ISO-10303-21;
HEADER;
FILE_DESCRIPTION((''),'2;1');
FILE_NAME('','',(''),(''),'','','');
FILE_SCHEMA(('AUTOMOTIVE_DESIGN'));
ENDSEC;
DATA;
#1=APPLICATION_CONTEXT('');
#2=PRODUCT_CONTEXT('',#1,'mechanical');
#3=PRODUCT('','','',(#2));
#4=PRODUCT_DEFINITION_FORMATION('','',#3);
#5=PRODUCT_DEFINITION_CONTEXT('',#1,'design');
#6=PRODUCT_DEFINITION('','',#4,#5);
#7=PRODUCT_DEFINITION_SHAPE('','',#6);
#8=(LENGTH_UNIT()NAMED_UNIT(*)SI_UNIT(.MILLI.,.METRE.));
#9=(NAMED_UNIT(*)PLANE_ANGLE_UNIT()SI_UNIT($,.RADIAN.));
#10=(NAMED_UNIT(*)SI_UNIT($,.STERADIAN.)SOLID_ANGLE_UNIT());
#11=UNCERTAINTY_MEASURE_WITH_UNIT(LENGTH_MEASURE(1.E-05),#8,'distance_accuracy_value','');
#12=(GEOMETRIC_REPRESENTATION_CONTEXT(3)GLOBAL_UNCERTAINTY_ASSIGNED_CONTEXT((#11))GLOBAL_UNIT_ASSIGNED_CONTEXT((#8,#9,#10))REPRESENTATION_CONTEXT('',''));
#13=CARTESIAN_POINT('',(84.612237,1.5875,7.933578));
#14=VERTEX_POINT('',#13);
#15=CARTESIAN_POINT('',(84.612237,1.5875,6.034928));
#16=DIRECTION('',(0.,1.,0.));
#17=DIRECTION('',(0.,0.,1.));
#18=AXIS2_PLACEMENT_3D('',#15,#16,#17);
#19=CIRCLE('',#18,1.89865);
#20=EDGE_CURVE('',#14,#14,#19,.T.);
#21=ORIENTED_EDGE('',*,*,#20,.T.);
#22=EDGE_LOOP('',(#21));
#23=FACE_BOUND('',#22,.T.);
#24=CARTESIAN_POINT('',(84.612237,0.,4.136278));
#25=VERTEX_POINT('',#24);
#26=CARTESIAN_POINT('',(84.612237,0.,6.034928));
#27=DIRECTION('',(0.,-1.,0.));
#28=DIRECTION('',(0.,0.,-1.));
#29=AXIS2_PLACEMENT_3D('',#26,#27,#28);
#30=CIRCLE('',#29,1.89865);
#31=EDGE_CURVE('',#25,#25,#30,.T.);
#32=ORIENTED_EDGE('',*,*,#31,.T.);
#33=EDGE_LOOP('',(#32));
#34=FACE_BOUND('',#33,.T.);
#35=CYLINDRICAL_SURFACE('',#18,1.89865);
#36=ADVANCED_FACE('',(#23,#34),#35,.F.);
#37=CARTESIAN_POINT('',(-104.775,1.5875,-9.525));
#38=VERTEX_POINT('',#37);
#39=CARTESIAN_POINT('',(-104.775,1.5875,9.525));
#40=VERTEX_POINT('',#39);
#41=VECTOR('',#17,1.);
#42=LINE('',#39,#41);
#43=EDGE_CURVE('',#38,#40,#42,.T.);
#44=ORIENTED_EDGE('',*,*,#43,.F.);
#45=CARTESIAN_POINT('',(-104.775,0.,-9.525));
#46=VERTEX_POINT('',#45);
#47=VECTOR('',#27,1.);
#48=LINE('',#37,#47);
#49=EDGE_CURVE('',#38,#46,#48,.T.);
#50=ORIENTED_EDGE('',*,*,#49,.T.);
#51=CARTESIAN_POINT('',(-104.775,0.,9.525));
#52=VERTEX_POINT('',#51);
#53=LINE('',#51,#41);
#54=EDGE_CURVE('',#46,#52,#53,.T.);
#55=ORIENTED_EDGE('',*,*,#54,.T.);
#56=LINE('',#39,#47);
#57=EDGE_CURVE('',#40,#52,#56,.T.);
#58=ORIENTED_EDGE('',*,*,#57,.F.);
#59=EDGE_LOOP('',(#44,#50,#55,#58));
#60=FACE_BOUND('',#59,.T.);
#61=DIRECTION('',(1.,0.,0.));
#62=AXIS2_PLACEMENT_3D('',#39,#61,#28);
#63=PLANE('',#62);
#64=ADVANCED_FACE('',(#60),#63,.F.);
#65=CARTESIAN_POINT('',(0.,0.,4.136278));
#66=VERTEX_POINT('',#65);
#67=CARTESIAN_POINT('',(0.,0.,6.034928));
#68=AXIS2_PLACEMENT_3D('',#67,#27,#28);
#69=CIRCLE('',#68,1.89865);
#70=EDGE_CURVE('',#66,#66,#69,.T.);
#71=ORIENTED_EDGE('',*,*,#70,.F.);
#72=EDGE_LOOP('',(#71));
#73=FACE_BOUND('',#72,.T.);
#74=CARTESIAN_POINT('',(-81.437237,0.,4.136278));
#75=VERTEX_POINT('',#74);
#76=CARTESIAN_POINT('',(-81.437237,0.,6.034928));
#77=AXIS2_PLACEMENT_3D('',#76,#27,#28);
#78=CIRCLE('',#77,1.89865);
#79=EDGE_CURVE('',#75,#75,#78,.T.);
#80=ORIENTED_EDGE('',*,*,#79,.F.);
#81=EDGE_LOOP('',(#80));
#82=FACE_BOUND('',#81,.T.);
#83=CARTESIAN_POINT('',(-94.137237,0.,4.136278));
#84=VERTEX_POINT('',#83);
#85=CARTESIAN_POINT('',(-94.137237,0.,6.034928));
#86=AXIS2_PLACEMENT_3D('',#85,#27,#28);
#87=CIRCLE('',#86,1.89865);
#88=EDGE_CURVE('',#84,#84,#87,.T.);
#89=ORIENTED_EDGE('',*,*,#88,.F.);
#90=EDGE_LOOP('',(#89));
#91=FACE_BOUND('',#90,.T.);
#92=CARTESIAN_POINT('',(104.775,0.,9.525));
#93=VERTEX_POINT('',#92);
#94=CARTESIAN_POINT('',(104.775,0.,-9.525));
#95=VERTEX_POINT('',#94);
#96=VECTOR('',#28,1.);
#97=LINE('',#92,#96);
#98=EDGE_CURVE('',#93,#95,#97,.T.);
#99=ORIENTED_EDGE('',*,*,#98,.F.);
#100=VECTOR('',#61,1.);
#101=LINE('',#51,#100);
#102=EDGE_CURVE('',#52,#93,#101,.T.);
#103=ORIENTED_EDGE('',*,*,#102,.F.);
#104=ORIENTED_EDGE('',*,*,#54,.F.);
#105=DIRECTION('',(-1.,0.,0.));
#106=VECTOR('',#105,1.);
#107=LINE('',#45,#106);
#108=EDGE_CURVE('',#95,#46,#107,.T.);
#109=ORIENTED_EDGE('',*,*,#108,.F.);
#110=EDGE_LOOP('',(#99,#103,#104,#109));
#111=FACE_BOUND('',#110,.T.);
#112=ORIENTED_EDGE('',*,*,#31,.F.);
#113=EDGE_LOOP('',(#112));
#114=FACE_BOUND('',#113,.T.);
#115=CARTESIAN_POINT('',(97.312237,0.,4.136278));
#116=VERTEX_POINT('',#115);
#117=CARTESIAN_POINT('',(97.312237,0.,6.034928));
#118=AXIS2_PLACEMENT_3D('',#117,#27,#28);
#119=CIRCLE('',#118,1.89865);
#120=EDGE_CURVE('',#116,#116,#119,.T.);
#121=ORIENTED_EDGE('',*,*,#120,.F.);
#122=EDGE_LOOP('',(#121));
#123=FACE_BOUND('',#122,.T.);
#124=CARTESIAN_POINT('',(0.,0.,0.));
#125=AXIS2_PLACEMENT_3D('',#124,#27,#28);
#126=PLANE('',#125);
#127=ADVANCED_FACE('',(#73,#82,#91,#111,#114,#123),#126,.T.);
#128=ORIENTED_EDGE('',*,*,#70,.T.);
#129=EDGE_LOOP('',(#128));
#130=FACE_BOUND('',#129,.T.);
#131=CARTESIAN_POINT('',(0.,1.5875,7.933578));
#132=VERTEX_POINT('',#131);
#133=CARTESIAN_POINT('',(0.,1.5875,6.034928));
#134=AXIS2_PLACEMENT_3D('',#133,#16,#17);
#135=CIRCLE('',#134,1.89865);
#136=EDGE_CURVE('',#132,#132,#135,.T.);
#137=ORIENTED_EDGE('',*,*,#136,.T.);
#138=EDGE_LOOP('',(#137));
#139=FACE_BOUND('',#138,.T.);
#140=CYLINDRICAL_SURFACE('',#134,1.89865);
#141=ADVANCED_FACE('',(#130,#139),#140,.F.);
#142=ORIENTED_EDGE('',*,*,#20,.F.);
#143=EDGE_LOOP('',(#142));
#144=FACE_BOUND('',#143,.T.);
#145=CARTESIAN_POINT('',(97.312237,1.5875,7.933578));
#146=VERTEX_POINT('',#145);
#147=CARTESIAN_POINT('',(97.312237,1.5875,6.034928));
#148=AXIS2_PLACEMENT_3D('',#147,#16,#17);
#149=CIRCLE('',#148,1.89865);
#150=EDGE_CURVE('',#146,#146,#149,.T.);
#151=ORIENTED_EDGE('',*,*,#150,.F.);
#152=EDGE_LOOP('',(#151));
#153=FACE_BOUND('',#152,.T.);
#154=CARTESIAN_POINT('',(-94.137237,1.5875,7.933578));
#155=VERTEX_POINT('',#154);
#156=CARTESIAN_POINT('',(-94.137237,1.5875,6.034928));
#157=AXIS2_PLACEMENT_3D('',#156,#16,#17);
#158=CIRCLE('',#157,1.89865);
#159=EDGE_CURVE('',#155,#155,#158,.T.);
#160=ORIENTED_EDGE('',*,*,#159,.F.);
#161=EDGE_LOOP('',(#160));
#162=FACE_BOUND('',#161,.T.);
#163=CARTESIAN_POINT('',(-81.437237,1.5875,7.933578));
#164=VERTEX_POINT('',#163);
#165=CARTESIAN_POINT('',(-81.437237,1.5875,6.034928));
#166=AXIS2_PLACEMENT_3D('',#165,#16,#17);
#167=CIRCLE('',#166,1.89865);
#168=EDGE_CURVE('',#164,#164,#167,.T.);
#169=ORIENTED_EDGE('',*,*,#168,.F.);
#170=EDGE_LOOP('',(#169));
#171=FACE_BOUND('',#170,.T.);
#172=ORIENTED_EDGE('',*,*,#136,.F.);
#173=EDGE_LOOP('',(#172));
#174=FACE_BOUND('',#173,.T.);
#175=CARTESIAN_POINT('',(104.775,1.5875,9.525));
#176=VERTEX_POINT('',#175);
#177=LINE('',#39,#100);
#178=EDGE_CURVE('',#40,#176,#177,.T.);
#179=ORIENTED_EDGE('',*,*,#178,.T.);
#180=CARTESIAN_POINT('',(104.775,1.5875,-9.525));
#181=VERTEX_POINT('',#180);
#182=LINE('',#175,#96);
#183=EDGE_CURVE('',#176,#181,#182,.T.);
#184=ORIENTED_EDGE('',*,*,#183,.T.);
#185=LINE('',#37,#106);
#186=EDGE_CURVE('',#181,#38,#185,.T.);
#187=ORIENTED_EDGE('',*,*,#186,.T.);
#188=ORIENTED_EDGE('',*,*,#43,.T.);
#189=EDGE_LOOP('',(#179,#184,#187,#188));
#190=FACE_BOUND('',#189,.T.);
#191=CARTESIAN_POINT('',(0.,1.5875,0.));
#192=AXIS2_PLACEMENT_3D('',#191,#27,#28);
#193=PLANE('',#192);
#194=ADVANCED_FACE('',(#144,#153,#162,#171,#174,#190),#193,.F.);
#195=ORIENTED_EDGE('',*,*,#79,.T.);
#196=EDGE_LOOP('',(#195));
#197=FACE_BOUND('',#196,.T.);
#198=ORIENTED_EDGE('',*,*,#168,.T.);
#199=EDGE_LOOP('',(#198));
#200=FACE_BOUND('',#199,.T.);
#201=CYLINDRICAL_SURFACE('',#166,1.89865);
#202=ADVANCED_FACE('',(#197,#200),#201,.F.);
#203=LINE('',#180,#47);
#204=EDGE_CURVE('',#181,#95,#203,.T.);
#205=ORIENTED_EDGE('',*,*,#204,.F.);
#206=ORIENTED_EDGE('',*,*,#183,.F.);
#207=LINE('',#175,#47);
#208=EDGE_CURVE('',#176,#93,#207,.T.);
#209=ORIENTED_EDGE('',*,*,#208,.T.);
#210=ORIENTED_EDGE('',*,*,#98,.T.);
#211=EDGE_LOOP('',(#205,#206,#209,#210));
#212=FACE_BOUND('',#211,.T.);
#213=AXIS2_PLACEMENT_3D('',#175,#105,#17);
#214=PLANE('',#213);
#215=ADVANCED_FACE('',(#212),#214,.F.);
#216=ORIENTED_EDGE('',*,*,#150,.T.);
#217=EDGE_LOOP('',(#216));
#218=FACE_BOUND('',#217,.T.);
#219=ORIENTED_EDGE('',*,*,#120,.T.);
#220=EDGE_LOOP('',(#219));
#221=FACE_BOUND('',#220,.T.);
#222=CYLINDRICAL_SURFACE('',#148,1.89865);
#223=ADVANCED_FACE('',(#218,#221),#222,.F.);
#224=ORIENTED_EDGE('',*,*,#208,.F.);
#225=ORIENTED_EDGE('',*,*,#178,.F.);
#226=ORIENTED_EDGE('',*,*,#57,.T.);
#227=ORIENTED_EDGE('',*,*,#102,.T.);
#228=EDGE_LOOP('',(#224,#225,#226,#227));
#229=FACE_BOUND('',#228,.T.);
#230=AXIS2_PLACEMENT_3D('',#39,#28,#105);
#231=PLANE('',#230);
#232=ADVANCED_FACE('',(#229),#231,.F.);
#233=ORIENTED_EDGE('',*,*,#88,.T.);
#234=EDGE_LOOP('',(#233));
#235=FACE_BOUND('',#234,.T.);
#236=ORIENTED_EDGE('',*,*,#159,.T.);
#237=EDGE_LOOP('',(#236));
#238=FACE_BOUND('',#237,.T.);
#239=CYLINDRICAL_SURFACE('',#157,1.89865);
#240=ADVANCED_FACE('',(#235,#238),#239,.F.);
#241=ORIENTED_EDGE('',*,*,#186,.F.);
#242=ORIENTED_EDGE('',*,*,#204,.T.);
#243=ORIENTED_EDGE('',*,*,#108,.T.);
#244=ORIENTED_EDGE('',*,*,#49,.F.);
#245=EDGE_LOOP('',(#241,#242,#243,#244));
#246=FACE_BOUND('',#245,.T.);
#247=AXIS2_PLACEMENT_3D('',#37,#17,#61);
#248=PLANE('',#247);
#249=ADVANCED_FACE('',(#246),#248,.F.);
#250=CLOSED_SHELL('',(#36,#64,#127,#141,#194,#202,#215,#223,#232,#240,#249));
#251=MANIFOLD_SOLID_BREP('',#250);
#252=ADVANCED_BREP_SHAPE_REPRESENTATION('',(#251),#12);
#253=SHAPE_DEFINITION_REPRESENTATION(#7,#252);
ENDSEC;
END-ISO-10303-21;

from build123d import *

# Parameters (mm, degrees)
SKETCH2_W             = 209.55
SKETCH2_H             = 19.05
BOSS_EXTRUDE1_DEPTH   = 1.5875
F_6_CLEARANCE_HOLE1_D = 3.7973


with BuildPart() as part:
    # Sketch2 → Boss-Extrude1 (new body)
    with BuildSketch(Plane(origin=(0, 0, 0), x_dir=(1, 0, 0), z_dir=(0, 1, 0))):
        Rectangle(SKETCH2_W, SKETCH2_H)
    extrude(amount=BOSS_EXTRUDE1_DEPTH)

    # #6 Clearance Hole1 (through all)
    with Locations(Plane(origin=(0, 1.5875, 0), x_dir=(1, 0, 0), z_dir=(0, 1, 0))):
        with Locations((-94.13723666, -6.034928337), (0, -6.034928337), (97.31223666, -6.034928337), (-81.43723666, -6.034928337), (84.61223666, -6.034928337)):
            Hole(F_6_CLEARANCE_HOLE1_D / 2)


solid = part.part
